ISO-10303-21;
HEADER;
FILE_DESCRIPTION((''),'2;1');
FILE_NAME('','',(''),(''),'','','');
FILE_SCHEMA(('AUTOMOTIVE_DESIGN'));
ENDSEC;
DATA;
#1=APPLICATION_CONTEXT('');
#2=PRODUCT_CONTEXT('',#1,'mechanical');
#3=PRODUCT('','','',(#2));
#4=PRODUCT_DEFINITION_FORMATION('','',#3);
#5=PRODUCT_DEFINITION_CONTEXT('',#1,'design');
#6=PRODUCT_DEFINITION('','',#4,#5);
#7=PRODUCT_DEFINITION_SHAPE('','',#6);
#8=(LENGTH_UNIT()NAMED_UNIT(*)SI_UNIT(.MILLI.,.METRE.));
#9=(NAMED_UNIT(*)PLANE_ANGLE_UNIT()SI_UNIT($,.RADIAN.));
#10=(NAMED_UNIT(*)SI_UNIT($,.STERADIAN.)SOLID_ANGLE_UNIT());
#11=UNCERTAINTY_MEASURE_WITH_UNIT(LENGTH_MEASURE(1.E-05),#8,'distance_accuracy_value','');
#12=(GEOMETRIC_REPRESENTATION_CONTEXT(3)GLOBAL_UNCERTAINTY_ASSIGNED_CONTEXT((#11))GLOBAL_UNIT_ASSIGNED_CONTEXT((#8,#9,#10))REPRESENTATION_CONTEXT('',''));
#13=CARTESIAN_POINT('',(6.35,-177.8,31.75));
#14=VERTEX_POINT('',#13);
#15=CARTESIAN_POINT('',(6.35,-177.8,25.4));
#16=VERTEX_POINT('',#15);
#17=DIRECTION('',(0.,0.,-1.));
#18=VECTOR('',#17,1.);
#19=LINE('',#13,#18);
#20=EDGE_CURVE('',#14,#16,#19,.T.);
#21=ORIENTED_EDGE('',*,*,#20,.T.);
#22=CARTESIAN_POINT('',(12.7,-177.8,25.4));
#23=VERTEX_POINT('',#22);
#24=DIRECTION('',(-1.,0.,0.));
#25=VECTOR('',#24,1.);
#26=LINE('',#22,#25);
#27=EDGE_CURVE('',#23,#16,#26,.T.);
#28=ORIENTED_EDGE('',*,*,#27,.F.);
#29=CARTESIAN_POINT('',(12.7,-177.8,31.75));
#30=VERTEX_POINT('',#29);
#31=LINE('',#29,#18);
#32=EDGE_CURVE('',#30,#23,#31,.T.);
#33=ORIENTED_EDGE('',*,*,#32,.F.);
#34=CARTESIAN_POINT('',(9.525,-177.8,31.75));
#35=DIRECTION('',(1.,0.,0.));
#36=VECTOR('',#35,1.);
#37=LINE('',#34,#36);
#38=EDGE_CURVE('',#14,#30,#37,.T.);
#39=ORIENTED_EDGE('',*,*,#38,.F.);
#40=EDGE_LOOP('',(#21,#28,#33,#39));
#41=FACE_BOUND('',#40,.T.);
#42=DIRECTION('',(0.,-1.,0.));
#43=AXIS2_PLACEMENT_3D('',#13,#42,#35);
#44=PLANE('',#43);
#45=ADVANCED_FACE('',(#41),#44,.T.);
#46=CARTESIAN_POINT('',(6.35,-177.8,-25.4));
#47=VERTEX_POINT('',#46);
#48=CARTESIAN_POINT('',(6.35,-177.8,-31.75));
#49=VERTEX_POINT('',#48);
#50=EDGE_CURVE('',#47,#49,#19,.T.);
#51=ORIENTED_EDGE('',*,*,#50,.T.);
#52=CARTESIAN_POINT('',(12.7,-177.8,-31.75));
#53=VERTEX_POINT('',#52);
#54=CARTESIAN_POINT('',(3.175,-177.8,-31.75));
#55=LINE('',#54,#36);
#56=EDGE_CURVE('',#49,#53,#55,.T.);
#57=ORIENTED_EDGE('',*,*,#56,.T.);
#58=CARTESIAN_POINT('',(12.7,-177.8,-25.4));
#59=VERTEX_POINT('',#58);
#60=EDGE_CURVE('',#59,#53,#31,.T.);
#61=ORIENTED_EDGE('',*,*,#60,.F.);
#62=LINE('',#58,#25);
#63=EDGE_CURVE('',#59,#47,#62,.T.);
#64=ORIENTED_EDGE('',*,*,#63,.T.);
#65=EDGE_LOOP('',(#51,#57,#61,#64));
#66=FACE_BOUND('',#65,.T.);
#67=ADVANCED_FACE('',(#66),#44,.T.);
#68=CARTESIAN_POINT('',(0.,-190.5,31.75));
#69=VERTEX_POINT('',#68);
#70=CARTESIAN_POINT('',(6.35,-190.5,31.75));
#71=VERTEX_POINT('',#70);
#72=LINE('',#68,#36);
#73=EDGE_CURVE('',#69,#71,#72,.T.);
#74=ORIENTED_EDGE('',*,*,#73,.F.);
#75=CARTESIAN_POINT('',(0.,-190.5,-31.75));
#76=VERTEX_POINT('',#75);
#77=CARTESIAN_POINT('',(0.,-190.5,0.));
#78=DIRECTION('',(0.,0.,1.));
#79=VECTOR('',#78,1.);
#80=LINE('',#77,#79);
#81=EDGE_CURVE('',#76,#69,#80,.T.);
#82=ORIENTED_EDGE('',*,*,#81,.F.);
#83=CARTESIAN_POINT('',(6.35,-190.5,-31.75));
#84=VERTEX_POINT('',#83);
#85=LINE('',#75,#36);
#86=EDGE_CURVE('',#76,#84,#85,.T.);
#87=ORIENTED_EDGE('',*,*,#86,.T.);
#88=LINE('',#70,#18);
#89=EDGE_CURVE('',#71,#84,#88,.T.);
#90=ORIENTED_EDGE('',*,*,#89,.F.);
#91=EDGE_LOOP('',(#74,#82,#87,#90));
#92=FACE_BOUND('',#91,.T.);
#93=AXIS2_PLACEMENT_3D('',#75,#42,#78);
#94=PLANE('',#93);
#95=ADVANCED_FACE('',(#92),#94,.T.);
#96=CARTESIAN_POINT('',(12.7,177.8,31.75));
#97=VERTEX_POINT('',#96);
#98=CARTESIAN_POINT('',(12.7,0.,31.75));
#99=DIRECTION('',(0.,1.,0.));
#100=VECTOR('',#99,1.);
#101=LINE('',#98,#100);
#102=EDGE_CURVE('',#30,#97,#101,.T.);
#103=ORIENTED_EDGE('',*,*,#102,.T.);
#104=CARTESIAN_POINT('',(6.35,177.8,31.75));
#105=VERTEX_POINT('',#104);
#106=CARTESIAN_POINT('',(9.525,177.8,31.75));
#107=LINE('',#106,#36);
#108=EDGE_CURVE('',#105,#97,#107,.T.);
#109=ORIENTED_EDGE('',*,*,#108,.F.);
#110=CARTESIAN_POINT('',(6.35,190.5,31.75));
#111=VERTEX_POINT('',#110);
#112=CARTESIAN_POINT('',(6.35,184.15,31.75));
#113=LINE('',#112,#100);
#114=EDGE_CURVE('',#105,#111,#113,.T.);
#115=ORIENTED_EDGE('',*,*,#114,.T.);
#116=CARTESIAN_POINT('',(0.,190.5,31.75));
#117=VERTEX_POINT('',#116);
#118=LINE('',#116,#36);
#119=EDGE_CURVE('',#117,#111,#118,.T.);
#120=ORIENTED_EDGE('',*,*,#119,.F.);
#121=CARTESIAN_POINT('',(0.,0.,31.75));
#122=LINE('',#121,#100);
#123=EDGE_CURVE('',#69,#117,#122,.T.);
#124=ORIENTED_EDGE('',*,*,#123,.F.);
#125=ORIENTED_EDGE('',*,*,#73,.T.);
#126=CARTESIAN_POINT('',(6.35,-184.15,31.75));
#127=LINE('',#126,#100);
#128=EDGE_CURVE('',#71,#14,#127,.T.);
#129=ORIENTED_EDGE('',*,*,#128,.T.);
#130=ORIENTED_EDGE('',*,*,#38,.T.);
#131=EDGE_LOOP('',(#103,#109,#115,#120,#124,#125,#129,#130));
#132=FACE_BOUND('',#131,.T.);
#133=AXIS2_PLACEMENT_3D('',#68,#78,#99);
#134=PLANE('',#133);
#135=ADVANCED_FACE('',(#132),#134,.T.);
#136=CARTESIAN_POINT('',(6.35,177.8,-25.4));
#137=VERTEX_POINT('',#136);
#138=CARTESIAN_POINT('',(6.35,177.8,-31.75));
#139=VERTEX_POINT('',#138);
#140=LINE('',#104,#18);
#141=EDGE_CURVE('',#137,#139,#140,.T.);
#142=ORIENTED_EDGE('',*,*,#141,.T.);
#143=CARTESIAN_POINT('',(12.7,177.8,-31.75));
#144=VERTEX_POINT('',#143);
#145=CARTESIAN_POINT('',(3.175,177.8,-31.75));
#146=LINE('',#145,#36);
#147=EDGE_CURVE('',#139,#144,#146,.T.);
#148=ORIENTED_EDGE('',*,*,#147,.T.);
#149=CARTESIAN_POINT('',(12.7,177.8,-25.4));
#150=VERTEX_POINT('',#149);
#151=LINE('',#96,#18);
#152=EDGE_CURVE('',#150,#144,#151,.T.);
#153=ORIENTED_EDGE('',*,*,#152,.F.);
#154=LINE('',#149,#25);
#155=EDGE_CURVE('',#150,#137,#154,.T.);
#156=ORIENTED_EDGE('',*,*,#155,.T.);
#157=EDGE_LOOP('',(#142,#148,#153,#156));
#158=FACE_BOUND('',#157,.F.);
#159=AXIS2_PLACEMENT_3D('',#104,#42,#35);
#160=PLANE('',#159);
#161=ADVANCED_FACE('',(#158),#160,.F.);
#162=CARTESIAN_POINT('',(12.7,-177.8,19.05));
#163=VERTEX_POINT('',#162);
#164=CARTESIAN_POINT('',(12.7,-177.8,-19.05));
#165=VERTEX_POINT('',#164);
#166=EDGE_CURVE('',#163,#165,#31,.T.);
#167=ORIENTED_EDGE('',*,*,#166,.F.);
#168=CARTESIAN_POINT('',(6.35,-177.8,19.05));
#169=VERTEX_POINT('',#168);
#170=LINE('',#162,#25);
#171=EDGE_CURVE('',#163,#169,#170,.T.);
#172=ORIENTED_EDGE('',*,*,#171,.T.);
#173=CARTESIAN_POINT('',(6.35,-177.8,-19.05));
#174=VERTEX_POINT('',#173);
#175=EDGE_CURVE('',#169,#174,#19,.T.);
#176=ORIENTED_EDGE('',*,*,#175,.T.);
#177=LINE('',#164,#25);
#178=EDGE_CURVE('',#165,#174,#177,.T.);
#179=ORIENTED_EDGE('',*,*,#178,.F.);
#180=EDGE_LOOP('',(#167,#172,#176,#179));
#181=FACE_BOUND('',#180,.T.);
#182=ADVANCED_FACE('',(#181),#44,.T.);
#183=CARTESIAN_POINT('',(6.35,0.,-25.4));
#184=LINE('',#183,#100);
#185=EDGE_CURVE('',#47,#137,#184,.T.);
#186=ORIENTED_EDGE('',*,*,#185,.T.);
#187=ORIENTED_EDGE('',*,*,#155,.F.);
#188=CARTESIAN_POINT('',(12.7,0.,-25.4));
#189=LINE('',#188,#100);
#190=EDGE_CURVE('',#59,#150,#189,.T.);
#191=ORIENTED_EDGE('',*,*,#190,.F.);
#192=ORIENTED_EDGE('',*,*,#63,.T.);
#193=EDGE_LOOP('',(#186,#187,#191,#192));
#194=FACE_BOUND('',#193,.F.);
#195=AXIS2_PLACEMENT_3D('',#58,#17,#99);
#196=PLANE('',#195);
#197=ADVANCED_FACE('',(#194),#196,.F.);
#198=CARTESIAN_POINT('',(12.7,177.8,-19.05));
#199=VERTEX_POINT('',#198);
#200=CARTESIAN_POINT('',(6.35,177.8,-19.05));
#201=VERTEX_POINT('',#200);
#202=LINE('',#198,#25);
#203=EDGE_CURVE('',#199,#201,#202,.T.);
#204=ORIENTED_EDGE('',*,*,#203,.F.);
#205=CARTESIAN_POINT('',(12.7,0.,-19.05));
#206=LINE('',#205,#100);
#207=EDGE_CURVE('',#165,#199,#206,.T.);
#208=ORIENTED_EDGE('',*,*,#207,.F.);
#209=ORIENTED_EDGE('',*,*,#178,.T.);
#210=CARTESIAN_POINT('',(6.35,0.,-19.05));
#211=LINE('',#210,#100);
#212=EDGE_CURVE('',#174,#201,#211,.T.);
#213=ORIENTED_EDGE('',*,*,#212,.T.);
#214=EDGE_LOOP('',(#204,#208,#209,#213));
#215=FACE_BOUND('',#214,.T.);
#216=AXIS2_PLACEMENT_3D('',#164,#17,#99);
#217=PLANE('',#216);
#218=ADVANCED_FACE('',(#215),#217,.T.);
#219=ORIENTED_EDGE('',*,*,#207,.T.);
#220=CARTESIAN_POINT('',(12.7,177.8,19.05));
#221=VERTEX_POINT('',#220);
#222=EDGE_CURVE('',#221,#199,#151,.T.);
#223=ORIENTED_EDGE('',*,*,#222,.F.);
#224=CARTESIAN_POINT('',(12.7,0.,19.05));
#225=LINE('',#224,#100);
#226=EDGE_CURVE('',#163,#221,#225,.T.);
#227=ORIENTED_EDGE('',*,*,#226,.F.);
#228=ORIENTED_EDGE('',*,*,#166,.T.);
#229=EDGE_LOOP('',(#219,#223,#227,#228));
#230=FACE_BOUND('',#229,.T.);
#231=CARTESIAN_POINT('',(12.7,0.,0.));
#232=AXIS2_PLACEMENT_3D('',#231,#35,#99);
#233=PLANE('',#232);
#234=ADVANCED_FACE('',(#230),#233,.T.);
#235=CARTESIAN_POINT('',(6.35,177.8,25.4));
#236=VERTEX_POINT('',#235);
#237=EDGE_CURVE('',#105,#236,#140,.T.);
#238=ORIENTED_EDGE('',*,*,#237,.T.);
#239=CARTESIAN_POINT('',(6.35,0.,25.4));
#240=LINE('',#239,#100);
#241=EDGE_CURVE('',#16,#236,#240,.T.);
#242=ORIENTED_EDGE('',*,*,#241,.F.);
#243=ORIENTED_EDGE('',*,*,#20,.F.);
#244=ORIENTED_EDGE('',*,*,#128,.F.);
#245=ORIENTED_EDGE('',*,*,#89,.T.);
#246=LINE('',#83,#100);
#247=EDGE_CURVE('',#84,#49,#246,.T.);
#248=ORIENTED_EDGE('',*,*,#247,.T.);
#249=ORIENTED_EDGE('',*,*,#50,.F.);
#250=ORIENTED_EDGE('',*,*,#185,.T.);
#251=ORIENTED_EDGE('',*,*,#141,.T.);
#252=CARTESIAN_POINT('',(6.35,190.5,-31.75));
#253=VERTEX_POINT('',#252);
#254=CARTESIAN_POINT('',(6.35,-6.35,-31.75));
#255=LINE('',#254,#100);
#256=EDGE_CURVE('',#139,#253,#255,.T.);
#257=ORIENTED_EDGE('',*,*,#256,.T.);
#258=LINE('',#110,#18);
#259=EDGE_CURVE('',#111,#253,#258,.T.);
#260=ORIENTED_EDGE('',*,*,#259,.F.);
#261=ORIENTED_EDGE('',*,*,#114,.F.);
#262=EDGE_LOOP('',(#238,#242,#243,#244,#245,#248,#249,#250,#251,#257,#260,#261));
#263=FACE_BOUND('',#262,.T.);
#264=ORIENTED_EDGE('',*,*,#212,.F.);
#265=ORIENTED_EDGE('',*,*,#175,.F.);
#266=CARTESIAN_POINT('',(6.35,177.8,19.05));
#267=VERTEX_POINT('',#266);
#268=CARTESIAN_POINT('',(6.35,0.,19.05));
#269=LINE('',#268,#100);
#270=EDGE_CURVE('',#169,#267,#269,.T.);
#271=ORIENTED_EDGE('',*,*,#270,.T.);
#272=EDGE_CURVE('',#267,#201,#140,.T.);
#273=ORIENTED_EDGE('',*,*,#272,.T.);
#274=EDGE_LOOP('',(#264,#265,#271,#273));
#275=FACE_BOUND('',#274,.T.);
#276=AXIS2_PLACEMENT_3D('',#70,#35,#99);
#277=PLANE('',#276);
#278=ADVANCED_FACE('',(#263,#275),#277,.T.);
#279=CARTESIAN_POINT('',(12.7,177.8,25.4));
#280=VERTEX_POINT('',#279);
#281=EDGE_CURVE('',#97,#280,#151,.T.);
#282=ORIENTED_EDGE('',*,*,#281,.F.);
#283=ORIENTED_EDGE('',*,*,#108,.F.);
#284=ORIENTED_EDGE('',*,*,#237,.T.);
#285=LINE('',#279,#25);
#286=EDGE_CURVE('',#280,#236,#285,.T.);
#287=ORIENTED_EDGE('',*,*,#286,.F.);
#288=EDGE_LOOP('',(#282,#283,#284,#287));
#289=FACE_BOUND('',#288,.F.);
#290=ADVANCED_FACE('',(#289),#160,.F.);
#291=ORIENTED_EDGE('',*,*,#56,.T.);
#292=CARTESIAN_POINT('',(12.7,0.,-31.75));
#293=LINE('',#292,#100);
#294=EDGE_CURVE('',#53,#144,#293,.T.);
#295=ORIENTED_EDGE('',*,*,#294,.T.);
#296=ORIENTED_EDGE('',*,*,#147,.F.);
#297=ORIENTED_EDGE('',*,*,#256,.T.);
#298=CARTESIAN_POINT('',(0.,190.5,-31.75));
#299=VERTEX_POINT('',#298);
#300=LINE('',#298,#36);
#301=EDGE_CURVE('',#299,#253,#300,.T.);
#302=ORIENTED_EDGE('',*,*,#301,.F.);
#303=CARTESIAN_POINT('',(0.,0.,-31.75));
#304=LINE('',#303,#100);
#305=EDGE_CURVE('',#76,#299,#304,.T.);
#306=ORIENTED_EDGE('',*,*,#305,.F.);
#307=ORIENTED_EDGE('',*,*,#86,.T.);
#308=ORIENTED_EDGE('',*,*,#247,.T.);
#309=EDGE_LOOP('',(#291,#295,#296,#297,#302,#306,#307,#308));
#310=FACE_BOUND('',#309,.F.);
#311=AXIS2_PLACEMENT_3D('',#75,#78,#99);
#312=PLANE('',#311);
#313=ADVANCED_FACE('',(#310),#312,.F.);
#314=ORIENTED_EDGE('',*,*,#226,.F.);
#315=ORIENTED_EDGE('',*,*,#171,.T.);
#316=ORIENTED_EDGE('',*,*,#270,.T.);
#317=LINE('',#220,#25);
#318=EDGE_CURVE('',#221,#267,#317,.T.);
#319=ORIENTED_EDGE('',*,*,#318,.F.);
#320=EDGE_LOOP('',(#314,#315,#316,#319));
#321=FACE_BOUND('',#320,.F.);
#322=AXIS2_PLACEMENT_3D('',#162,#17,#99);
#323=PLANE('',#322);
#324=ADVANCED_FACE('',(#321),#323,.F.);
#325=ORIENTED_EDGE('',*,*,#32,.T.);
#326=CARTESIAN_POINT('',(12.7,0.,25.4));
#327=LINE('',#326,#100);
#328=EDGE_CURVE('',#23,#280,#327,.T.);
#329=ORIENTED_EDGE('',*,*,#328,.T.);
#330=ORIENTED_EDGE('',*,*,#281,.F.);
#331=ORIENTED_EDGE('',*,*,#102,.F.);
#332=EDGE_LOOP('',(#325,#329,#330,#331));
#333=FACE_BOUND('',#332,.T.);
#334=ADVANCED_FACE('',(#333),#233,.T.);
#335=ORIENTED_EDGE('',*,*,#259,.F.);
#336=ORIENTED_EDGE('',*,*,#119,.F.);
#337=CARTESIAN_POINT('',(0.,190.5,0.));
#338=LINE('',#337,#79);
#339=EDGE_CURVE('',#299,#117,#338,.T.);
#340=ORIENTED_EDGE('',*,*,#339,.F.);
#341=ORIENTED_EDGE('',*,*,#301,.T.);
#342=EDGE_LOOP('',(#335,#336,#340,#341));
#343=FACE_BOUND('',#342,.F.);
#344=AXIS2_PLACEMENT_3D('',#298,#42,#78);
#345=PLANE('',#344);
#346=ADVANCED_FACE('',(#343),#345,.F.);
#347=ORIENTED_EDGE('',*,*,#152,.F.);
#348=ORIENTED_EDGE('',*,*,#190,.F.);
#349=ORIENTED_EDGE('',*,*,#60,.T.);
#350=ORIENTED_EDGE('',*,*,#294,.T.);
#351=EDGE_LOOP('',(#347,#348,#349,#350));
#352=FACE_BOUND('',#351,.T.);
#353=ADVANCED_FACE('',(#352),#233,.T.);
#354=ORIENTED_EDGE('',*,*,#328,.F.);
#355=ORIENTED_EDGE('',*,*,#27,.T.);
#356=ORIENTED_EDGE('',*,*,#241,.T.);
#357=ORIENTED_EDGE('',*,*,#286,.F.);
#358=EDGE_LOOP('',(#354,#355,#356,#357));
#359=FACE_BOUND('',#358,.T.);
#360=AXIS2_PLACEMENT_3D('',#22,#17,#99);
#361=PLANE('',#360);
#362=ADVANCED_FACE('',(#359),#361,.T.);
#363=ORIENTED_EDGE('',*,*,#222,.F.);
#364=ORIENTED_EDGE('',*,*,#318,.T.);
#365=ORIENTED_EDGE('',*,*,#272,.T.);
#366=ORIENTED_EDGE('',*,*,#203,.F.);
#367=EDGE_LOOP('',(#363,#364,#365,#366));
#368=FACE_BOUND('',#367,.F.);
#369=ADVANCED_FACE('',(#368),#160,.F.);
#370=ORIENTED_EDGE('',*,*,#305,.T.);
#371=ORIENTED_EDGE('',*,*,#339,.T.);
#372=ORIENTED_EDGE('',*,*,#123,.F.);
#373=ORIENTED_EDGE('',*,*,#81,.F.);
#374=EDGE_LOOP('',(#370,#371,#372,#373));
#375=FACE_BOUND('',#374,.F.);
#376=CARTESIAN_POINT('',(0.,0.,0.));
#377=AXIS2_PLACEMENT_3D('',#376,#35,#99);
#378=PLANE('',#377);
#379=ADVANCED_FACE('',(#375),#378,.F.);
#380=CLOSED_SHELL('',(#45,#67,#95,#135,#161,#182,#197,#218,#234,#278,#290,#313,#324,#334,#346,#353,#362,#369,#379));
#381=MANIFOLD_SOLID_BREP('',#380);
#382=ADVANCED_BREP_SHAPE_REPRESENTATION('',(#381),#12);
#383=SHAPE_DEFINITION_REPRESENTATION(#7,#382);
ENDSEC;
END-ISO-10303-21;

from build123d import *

# Parameters (mm, degrees)
F0_W     = 381
F0_H     = 63.5
F1_DEPTH = 12.7
F2_W     = 6.35
F2_H     = 12.7
F3_DEPTH = 63.501
F4_W     = 355.6
F4_H     = 6.35
F5_DEPTH = 6.35


with BuildPart() as f1:
    # F0 (on Right) → F1 (new body)
    with BuildSketch(Plane.YZ):
        Rectangle(F0_W, F0_H)
    extrude(amount=F1_DEPTH)

    # F2 (on face) → F3 (cut, through all)
    with BuildSketch(Plane.XY.offset(31.75)):
        with Locations((9.525, 184.15)):
            Rectangle(F2_W, F2_H)
        with Locations((9.525, -184.15)):
            Rectangle(F2_W, F2_H)
    extrude(amount=-F3_DEPTH, mode=Mode.SUBTRACT)

    # F4 (on face) → F5 (cut)
    with BuildSketch(Plane.YZ.offset(12.7)):
        with Locations((0, 22.225)):
            Rectangle(F4_W, F4_H)
        with Locations((0, -22.225)):
            Rectangle(F4_W, F4_H)
    extrude(amount=-F5_DEPTH, mode=Mode.SUBTRACT)


solid = f1.part
